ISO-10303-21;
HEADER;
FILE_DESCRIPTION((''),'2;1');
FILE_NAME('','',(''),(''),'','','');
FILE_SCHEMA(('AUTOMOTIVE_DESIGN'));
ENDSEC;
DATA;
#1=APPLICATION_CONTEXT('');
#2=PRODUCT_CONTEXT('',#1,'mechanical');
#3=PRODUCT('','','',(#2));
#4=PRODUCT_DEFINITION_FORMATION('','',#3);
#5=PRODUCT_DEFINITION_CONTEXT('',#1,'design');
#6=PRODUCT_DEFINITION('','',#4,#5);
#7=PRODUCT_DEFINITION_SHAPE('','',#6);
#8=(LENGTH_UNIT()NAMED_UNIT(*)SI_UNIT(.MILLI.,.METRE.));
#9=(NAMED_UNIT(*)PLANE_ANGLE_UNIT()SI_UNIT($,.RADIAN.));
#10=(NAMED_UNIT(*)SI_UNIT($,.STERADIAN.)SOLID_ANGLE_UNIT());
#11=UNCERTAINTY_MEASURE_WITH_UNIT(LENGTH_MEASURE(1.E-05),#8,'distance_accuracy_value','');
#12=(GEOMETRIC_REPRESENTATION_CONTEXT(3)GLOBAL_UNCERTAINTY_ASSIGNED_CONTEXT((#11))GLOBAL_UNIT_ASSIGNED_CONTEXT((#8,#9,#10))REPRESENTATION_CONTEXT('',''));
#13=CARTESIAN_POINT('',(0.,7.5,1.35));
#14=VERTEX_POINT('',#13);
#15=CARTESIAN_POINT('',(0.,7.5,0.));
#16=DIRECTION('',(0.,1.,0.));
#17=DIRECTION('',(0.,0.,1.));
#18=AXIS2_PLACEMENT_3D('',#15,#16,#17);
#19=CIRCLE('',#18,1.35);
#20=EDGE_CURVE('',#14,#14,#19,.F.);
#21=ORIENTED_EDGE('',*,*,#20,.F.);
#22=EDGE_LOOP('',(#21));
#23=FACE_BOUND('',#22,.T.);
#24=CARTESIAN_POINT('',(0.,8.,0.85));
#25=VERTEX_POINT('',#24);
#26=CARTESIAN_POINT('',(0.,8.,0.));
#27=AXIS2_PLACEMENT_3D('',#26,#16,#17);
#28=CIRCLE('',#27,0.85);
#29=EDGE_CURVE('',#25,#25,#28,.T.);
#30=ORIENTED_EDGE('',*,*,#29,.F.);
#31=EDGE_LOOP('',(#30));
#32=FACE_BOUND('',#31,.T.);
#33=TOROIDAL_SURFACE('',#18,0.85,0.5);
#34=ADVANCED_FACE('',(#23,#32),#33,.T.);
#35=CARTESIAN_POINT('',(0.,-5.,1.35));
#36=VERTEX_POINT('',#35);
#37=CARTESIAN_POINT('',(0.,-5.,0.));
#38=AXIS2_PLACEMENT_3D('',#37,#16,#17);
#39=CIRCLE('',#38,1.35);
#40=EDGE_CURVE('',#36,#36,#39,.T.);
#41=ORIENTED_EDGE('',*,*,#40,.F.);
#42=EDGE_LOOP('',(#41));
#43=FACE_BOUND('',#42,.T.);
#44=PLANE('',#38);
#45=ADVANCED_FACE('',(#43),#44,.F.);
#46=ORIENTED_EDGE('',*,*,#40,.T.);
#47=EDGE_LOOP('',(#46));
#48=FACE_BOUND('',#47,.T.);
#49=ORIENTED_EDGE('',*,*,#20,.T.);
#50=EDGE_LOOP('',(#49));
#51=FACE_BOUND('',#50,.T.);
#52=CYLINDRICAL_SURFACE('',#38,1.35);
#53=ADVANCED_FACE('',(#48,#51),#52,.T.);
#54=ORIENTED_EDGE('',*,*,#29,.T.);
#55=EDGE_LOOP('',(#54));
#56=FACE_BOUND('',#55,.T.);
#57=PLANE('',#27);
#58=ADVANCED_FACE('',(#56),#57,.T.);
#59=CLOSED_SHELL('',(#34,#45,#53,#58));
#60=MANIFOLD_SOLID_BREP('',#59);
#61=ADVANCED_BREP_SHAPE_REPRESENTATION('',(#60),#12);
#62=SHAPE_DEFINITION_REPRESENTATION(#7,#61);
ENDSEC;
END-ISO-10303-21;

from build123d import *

# Parameters (mm, degrees)
BOSS_EXTRUDE1_DEPTH      = 8
BOSS_EXTRUDE1_DEPTH_BACK = 5
SKETCH1_R                = 1.35
FILLET1_R                = 0.5


with BuildPart() as part:
    # Sketch1 → Boss-Extrude1 (new, two sides: drawn at the far end of the back side and taken through both)
    with BuildSketch(Plane(origin=(0, 0, 0), x_dir=(1, 0, 0), z_dir=(0, 1, 0)).offset(-BOSS_EXTRUDE1_DEPTH_BACK)):
        with Locations(Location((0, 0, 0), (0, 0, 270))):
            Circle(SKETCH1_R)
    extrude(amount=BOSS_EXTRUDE1_DEPTH + BOSS_EXTRUDE1_DEPTH_BACK)

    # Fillet1
    fillet1_edges = [part.edges().sort_by_distance(p)[0] for p in [
        (0, 8, -1.35),
    ]]
    fillet(fillet1_edges, radius=FILLET1_R)


solid = part.part
